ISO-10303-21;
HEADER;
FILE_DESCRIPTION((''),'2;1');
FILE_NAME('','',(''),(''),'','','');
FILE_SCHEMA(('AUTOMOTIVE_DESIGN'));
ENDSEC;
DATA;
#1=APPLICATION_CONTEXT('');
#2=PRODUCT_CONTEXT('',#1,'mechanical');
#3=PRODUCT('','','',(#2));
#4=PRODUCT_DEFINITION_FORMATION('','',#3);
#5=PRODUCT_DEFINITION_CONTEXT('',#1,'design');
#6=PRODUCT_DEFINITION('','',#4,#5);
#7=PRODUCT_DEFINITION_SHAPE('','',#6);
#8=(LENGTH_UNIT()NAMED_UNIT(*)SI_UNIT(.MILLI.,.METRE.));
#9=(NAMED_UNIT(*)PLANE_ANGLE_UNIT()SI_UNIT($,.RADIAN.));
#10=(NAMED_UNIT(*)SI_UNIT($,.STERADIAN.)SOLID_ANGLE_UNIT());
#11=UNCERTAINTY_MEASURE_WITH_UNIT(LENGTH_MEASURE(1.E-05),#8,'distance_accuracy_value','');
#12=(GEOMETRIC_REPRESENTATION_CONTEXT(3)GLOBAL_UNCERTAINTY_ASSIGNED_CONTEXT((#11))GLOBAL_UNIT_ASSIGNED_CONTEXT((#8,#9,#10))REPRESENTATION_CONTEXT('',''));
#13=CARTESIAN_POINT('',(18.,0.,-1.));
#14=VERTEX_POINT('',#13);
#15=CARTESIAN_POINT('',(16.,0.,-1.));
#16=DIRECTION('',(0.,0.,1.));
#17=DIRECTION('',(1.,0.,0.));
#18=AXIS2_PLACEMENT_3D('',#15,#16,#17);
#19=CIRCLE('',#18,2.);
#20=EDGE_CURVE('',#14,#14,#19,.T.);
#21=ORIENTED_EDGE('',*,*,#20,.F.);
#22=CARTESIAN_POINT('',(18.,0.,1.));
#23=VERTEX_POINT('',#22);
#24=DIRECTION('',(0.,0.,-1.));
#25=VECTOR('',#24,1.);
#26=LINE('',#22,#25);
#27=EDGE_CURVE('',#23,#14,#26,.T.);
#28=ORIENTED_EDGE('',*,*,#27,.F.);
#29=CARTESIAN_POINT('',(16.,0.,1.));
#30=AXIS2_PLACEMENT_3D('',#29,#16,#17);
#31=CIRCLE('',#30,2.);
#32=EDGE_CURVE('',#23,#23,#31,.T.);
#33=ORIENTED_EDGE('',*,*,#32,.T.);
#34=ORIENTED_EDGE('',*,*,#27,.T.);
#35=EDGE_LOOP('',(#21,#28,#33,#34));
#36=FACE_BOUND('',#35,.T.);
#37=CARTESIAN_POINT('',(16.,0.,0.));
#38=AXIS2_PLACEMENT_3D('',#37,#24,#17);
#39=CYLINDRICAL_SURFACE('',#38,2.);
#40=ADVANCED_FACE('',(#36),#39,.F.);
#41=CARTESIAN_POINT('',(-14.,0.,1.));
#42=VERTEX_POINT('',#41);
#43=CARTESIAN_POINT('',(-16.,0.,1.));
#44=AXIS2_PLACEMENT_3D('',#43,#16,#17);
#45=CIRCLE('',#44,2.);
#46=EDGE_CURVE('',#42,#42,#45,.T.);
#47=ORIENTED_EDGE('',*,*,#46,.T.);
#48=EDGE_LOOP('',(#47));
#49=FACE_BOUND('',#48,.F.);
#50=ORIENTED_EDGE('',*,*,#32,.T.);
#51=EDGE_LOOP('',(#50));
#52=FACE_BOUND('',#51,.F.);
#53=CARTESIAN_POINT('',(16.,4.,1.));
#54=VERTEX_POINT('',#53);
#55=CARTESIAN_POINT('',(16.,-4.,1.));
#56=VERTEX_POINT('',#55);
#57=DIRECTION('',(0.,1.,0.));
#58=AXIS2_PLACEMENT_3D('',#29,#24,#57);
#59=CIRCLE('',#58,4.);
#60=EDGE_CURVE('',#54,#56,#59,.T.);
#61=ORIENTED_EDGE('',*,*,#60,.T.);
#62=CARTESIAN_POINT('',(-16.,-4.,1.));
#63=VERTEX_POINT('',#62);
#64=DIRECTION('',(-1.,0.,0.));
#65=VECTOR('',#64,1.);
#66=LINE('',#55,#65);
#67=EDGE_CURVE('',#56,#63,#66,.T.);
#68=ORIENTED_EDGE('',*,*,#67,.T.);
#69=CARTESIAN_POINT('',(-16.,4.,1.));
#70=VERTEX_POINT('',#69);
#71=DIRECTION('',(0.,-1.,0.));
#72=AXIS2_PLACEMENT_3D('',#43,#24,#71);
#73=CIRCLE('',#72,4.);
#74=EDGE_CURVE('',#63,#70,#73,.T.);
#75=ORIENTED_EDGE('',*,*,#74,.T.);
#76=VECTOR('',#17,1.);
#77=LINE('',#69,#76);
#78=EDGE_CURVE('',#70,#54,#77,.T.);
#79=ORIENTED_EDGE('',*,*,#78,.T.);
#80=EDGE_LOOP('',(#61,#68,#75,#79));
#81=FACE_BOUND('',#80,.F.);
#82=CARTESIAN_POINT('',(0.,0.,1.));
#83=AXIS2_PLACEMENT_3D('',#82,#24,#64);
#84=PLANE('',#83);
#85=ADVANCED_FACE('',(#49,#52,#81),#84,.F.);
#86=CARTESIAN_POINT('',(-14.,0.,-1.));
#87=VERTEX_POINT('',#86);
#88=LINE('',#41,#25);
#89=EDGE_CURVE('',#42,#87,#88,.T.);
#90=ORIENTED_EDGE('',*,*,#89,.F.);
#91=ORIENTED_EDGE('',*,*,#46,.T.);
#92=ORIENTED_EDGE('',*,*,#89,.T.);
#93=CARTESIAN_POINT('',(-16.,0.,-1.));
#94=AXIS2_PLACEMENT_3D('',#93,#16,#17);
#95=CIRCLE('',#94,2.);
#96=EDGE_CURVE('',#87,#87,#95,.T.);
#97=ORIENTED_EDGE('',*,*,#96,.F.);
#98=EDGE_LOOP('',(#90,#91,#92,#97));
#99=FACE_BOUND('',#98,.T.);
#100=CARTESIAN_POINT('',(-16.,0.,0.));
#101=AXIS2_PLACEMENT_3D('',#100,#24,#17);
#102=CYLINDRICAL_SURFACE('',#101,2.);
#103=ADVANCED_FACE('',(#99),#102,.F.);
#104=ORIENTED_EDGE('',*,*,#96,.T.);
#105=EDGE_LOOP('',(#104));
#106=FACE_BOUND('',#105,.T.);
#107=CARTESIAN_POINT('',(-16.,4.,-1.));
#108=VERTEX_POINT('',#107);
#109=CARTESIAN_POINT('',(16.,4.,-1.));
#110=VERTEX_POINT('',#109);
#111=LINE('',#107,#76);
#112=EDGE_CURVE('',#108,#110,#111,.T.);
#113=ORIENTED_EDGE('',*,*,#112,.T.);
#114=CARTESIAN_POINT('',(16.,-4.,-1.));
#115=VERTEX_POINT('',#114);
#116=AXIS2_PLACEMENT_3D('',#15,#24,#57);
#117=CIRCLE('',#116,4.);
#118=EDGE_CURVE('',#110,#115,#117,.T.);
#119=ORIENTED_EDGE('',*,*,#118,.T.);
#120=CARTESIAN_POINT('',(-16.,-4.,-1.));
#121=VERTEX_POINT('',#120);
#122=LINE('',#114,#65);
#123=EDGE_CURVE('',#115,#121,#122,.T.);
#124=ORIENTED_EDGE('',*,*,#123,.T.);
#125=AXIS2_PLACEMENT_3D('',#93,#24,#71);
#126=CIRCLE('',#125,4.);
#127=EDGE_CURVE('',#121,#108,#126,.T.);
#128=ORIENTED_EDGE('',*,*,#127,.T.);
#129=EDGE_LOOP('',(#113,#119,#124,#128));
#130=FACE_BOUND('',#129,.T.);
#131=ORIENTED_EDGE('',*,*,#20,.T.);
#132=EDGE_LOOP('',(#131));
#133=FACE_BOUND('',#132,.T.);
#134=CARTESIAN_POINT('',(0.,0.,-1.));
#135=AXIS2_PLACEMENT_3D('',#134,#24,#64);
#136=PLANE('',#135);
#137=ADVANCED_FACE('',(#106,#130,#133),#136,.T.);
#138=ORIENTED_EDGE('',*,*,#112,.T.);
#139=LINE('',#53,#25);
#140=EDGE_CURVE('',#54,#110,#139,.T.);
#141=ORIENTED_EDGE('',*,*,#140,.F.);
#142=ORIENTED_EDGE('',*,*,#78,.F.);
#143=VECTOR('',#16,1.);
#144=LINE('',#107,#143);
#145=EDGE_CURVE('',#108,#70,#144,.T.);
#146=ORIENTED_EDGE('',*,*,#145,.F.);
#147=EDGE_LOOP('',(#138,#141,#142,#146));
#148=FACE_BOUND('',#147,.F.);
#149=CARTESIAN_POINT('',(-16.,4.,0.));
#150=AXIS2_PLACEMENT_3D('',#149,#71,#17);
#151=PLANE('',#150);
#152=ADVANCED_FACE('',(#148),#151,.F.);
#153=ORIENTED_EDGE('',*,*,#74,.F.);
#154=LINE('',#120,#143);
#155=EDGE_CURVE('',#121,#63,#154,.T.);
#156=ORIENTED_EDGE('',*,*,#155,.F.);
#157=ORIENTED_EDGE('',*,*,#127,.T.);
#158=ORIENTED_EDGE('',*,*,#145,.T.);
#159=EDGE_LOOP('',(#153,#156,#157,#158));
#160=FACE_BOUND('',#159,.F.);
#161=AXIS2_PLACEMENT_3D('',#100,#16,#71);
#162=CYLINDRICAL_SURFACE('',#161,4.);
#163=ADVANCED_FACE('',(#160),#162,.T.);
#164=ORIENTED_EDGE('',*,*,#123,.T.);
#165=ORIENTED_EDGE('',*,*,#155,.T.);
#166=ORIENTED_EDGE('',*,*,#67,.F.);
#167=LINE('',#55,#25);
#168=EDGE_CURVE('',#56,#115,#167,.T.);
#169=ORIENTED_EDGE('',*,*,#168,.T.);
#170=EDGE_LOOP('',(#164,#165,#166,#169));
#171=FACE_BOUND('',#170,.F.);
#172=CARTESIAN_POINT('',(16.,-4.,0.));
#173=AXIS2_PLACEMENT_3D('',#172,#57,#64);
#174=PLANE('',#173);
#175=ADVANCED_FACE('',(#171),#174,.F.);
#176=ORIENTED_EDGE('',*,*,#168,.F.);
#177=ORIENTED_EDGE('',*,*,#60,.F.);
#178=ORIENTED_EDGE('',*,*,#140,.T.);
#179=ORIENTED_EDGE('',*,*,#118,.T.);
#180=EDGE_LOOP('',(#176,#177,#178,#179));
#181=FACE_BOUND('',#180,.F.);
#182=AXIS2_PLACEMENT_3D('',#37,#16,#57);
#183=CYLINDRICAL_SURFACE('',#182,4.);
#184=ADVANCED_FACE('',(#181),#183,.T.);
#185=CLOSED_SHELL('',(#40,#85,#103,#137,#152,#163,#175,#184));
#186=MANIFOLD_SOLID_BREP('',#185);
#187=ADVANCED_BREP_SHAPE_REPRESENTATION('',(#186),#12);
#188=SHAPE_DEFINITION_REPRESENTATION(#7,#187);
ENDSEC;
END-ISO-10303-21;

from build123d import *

# Parameters (mm, degrees)
SKETCH1_R           = 2
BOSS_EXTRUDE2_DEPTH = 1


with BuildPart() as part:
    # Sketch1 → Boss-Extrude2 (new body, symmetric)
    with BuildSketch(Plane.XY):
        with BuildLine():
            Line((-16, 4), (16, 4))
            ThreePointArc((16, 4), (20, 0), (16, -4))
            Line((16, -4), (-16, -4))
            ThreePointArc((-16, -4), (-20, 0), (-16, 4))
        make_face()
        with Locations((-16, 0)):
            Circle(SKETCH1_R, mode=Mode.SUBTRACT)
        with Locations((16, 0)):
            Circle(SKETCH1_R, mode=Mode.SUBTRACT)
    extrude(amount=BOSS_EXTRUDE2_DEPTH, both=True)


solid = part.part
